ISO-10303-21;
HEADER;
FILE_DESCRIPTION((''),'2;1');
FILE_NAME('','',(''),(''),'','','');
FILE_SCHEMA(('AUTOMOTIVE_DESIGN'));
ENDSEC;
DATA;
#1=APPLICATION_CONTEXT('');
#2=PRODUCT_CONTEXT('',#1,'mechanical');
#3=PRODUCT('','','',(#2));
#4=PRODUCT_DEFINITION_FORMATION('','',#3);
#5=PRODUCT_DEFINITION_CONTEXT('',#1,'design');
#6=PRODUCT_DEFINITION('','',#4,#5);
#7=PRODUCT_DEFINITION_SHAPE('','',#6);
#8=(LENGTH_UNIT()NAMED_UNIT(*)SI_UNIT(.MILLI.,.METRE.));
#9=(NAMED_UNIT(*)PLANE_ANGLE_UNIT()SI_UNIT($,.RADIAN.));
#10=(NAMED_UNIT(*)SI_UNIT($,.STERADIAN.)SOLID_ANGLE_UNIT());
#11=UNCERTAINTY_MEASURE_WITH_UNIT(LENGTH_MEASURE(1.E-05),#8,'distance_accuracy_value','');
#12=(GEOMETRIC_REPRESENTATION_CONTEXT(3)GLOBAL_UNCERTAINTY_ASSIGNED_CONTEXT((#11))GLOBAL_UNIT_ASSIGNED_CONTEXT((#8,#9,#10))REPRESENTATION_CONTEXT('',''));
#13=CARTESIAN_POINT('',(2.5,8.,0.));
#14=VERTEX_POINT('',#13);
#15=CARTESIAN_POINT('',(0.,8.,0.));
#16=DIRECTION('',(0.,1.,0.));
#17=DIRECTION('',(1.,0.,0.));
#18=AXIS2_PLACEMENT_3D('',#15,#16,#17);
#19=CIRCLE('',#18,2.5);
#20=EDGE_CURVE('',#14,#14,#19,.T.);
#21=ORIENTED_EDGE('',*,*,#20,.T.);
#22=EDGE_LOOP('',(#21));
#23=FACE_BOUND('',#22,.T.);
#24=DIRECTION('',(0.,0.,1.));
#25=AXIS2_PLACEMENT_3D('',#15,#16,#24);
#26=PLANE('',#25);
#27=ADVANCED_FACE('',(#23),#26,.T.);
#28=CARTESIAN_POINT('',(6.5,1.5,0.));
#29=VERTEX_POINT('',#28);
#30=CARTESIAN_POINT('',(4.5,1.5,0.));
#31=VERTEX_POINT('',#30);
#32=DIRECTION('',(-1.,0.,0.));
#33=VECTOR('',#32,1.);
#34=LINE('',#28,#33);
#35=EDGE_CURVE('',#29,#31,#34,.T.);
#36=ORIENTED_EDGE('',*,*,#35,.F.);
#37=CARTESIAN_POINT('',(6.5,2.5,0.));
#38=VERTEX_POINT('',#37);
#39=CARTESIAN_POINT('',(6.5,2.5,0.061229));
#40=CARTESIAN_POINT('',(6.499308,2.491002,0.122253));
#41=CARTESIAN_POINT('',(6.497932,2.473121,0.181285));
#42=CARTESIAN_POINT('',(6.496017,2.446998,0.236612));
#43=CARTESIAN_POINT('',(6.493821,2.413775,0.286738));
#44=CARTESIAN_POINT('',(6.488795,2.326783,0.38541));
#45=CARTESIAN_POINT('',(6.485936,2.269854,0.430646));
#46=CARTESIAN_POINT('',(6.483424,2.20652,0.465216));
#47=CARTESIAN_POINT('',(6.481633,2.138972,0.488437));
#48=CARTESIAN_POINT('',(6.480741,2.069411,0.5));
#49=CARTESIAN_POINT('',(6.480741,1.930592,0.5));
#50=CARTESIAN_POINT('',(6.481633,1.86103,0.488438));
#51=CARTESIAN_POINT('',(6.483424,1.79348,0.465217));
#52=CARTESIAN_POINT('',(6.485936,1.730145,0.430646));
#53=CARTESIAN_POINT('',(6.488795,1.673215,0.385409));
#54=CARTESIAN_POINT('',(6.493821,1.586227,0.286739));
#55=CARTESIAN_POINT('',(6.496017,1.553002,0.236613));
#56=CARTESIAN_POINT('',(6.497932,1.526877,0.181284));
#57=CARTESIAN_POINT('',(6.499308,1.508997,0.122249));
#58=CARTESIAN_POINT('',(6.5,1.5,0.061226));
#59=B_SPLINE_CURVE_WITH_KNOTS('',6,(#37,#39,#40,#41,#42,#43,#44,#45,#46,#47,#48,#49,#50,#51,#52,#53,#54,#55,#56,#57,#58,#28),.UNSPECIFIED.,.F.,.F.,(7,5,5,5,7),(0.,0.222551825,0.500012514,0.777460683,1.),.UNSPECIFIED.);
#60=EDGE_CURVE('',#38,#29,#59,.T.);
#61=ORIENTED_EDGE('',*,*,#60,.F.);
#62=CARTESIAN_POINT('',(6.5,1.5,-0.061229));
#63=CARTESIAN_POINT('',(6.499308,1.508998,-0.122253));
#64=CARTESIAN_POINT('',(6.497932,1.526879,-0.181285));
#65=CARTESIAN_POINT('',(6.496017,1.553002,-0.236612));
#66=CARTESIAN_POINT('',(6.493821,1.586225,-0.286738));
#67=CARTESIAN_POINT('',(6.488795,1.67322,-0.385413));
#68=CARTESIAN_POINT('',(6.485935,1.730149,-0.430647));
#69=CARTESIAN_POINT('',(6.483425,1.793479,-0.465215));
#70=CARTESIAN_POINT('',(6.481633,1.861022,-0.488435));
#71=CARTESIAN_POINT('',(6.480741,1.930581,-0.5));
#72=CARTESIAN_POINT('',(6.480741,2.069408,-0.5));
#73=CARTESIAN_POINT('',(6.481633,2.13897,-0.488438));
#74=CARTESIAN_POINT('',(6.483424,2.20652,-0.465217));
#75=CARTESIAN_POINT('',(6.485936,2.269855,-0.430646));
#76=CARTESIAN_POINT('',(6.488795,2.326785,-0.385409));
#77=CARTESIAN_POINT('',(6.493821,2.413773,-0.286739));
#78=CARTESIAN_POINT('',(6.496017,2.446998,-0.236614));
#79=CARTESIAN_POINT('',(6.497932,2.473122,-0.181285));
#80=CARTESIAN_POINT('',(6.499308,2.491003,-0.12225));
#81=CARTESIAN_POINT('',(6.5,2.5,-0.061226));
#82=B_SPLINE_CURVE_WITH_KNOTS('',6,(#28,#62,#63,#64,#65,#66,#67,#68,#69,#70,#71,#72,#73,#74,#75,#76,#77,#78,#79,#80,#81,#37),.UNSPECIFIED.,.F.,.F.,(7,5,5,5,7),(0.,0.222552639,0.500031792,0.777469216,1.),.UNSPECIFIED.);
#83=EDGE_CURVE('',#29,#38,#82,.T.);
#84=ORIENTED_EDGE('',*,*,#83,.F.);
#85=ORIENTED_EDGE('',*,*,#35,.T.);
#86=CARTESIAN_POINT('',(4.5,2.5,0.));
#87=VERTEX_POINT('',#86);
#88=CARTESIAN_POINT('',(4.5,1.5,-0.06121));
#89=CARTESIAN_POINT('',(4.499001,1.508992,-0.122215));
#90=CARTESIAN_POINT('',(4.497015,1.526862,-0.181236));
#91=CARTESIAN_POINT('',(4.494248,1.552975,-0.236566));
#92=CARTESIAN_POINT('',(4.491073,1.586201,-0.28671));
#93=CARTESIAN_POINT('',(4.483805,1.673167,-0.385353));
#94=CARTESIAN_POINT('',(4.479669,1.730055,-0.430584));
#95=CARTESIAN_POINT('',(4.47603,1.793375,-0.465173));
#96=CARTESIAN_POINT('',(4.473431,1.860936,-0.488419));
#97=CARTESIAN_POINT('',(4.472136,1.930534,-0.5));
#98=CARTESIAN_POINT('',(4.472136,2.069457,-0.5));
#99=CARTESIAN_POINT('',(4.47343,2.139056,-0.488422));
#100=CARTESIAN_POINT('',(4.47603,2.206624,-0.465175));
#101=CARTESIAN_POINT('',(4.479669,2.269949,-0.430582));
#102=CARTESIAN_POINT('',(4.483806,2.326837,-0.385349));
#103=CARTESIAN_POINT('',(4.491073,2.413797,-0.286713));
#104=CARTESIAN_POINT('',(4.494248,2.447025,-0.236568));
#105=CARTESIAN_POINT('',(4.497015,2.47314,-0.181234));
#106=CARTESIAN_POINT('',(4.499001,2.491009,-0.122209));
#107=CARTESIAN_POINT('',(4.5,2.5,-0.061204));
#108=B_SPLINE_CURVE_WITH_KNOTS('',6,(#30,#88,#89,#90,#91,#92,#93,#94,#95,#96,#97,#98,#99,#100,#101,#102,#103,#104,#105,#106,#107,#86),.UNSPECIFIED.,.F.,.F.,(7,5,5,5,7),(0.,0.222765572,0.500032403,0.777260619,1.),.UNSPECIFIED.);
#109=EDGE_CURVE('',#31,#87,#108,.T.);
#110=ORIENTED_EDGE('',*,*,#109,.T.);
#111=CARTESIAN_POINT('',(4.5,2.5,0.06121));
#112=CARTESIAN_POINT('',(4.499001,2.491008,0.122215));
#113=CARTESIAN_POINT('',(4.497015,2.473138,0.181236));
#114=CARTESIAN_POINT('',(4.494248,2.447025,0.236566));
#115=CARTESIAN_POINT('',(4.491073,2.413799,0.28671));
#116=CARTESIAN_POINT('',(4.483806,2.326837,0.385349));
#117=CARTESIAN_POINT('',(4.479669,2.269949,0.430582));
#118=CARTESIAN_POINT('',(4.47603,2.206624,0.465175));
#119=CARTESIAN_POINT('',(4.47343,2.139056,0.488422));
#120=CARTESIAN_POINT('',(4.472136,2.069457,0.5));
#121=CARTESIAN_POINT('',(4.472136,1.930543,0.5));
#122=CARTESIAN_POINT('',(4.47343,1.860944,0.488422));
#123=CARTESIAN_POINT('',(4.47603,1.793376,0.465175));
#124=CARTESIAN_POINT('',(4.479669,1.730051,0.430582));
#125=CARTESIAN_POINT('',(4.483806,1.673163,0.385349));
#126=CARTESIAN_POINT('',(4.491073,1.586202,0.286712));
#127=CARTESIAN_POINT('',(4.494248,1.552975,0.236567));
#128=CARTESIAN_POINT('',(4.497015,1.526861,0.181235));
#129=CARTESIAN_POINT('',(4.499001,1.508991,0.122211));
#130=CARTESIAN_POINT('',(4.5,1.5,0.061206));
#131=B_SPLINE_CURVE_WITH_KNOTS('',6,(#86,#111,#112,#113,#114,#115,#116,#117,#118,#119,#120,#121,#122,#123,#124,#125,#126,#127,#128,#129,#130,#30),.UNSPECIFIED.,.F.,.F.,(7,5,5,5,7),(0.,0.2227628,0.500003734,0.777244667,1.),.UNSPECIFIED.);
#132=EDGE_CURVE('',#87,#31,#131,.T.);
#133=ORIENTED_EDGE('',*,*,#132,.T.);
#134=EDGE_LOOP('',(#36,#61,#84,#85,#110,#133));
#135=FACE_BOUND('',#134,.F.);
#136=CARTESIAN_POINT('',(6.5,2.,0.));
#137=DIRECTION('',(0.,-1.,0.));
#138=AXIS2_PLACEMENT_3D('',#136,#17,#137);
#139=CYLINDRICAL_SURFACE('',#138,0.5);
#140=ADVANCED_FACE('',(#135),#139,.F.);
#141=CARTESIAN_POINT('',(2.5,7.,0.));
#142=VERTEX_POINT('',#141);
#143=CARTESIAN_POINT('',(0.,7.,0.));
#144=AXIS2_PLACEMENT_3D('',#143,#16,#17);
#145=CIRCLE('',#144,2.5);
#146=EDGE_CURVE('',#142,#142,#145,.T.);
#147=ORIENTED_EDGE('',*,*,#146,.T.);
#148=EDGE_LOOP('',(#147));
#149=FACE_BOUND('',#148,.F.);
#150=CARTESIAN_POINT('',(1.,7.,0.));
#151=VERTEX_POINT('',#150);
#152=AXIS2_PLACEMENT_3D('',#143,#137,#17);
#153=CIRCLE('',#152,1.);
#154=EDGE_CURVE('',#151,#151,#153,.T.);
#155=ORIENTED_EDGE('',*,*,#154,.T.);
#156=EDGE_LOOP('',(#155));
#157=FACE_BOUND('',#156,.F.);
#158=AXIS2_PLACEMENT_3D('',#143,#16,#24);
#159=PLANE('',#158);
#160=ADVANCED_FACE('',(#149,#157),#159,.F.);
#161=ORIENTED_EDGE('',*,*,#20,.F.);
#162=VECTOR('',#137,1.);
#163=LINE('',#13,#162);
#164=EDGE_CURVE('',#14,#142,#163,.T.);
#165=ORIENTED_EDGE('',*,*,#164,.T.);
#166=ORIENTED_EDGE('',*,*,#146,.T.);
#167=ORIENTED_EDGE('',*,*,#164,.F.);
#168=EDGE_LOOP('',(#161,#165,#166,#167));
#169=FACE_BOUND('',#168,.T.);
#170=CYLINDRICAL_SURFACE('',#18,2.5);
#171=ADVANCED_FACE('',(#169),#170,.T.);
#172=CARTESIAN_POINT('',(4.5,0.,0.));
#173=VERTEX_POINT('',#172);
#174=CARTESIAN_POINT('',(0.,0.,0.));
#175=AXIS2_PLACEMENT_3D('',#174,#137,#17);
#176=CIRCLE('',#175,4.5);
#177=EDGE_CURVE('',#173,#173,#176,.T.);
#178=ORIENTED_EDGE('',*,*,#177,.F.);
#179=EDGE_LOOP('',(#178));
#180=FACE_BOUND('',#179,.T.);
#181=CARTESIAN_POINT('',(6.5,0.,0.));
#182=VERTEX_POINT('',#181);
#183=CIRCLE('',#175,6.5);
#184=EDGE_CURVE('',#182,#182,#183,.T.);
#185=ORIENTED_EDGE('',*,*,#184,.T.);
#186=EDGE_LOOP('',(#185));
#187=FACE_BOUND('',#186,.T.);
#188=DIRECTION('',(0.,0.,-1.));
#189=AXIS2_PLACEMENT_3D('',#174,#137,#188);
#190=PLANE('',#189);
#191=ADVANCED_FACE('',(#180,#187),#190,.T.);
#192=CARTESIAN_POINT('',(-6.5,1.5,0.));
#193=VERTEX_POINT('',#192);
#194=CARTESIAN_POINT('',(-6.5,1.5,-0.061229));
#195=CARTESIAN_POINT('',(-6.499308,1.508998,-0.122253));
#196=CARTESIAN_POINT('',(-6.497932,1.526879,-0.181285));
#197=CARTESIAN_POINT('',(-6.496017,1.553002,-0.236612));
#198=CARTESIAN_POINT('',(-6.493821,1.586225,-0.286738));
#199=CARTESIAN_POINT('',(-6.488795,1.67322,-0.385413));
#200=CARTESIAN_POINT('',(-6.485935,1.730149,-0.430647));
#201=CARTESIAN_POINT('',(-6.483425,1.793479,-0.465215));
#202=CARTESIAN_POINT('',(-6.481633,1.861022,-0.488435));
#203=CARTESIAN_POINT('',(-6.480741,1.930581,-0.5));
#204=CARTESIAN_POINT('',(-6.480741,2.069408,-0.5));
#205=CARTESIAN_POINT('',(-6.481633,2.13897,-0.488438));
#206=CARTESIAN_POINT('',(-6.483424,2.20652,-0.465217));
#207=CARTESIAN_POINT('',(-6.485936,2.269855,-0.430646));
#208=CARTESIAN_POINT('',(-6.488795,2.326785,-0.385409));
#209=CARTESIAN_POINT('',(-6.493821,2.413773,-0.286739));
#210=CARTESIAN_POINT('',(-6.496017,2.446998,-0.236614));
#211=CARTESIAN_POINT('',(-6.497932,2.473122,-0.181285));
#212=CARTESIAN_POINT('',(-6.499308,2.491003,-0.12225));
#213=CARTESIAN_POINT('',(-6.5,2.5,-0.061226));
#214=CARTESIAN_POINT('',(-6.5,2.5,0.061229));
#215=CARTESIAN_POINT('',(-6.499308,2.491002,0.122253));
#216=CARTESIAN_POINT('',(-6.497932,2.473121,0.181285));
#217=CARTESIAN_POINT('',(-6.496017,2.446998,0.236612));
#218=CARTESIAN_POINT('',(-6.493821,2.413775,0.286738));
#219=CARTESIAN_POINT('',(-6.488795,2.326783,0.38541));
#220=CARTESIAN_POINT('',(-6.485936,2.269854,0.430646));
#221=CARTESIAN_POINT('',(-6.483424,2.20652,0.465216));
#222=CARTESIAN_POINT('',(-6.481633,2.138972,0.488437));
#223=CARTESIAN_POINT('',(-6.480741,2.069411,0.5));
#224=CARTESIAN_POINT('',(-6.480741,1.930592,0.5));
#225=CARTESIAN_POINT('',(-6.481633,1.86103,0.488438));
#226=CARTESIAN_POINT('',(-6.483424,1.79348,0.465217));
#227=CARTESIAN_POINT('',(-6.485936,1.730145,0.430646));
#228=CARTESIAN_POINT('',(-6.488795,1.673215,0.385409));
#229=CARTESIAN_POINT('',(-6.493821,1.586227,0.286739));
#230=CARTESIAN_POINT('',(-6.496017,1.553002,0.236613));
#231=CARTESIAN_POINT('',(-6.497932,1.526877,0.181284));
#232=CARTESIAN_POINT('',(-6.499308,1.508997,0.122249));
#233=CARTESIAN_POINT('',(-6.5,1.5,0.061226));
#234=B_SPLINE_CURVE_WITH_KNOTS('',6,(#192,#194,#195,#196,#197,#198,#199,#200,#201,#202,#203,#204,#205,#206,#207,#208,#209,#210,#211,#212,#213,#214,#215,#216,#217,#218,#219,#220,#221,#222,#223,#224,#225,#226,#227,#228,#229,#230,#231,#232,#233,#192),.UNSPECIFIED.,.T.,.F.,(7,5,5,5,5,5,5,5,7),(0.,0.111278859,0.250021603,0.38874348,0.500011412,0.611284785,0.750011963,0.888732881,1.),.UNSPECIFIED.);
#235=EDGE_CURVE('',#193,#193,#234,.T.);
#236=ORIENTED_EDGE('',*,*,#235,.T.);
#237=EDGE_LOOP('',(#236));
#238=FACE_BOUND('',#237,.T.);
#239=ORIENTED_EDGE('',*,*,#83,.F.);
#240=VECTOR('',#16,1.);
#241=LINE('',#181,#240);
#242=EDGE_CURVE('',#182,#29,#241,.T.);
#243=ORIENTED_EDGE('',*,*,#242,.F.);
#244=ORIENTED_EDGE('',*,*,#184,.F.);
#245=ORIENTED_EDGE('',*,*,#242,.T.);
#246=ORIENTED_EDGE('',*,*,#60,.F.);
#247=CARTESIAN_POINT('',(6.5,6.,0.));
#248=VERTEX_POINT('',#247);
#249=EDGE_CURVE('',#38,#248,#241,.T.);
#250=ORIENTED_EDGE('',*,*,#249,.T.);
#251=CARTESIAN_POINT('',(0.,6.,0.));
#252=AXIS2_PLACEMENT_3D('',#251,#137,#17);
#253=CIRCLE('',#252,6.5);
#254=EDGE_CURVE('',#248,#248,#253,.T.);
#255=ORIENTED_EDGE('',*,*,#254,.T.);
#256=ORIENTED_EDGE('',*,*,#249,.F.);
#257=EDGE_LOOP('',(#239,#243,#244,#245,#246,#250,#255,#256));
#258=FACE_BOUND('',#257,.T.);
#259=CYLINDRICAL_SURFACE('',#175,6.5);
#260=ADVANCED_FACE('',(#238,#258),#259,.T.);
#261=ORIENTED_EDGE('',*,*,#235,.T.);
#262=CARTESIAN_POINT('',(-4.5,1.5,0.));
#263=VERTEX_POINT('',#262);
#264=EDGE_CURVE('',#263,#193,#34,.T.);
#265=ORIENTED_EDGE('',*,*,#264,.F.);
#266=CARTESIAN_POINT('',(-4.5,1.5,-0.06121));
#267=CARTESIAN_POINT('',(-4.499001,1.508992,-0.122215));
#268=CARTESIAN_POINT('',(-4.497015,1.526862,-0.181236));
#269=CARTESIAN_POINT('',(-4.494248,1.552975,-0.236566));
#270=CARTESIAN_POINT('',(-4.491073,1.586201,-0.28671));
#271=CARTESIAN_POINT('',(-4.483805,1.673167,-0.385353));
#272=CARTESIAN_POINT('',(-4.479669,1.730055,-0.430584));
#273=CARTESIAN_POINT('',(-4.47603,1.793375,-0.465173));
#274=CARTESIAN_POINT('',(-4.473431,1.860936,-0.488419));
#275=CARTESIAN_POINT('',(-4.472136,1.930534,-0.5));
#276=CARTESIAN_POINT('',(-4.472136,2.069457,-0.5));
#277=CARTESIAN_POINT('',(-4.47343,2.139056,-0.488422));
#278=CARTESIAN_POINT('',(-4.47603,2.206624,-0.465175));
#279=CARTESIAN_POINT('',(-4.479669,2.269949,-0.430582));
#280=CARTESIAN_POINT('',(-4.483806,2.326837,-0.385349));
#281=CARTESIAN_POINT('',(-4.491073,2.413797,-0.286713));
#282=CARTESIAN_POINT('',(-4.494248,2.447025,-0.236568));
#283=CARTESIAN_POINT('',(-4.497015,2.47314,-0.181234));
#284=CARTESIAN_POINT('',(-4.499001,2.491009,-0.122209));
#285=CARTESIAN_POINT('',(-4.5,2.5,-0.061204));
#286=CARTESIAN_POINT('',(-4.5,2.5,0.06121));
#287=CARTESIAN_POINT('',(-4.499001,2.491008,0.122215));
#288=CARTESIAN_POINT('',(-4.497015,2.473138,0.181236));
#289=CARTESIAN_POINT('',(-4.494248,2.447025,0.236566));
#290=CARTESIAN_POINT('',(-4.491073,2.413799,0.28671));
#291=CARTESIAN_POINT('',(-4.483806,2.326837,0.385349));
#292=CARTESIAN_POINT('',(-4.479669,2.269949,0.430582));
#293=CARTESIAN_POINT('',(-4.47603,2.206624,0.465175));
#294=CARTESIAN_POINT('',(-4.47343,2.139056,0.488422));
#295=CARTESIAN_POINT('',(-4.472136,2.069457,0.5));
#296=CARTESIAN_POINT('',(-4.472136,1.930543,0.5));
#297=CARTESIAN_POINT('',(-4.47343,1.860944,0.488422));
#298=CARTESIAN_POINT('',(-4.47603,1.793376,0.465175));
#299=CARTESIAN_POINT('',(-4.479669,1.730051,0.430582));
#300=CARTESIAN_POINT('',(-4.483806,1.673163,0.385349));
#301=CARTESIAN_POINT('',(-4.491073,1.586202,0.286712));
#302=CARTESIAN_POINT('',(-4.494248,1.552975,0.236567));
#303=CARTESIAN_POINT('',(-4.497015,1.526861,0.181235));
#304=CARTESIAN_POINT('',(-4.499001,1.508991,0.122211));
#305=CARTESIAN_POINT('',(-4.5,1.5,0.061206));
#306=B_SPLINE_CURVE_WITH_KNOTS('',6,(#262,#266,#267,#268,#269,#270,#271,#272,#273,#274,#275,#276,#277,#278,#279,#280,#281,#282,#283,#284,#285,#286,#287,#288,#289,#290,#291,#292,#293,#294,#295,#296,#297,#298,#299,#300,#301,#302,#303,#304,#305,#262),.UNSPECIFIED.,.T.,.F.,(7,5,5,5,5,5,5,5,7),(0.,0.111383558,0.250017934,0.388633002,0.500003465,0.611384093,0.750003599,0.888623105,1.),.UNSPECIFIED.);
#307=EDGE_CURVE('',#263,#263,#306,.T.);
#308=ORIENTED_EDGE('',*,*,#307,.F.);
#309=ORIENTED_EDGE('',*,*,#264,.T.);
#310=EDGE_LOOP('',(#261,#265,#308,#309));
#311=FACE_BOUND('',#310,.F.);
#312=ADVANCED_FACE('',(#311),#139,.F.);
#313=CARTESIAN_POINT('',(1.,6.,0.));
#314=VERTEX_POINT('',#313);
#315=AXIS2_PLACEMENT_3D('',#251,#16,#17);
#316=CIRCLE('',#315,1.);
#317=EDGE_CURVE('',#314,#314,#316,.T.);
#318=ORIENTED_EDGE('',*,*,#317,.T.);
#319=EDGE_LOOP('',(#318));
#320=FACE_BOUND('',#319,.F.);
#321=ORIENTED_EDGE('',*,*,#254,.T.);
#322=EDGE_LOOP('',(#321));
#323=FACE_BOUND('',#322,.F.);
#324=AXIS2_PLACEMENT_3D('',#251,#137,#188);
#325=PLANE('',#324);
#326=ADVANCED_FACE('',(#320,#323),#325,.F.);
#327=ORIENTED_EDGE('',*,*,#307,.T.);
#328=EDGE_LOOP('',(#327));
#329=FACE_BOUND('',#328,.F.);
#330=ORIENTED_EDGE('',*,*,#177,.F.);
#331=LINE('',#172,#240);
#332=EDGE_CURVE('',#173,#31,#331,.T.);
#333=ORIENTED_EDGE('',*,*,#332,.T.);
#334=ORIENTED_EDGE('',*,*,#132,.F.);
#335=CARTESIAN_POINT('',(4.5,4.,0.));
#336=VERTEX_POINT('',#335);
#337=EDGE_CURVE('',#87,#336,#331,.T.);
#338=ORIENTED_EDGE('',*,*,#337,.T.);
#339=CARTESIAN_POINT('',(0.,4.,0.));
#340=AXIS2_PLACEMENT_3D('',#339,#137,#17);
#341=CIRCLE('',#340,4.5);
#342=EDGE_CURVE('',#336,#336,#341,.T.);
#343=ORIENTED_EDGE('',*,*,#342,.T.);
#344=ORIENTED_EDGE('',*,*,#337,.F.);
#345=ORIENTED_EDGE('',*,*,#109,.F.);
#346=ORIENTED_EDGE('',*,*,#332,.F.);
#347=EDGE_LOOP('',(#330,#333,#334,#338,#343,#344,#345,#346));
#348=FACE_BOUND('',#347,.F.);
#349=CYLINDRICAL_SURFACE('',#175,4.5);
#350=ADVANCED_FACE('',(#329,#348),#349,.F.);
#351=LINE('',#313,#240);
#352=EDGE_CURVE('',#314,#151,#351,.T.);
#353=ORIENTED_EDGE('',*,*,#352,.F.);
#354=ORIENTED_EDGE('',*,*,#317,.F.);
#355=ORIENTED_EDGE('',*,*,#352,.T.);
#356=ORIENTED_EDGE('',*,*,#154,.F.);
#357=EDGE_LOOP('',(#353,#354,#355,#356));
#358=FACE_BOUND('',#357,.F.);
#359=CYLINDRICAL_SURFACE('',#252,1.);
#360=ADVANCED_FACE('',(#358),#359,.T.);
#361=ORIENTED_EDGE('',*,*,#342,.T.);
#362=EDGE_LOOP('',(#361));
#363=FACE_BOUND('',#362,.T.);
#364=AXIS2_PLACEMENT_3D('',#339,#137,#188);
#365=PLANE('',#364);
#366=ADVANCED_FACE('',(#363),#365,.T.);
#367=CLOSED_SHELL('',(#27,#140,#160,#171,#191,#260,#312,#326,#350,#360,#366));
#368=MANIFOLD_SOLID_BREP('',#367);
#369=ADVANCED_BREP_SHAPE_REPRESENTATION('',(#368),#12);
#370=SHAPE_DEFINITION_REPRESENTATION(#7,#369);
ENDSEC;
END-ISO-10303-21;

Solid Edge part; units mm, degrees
sketch "Sketch1" plane through (0, 0, 0) normal (0, -1, 0) x (1, 0, 0)
  circle A0 centre (0, 0) radius 6.5
extrude "Protrusion1" add sketch "Sketch1" against normal blind 6
sketch "Sketch2" plane through (0, 0, 0) normal (0, -1, 0) x (1, 0, 0)
  circle A0 centre (0, 0) radius 4.5
extrude "ExtrudedCutout_1" cut sketch "Sketch2" against normal blind 4
sketch "Sketch3" plane through (6.5, 3, 0) normal (1, 0, 0) x (0, -1, 0)
  circle A0 centre (1, 0) radius 0.5
extrude "ExtrudedCutout_2" cut sketch "Sketch3" against normal blind 17.8502
sketch "Sketch4" plane through (0, 6, 0) normal (0, 1, 0) x (1, 0, 0)
  circle A0 centre (0, 0) radius 1
extrude "ExtrudedProtrusion_2" add sketch "Sketch4" along normal blind 2
sketch "Sketch5" plane through (0, 8, 0) normal (0, 1, 0) x (1, 0, 0)
  circle A0 centre (0, 0) radius 2.5
extrude "ExtrudedProtrusion_3" add sketch "Sketch5" against normal blind 1
